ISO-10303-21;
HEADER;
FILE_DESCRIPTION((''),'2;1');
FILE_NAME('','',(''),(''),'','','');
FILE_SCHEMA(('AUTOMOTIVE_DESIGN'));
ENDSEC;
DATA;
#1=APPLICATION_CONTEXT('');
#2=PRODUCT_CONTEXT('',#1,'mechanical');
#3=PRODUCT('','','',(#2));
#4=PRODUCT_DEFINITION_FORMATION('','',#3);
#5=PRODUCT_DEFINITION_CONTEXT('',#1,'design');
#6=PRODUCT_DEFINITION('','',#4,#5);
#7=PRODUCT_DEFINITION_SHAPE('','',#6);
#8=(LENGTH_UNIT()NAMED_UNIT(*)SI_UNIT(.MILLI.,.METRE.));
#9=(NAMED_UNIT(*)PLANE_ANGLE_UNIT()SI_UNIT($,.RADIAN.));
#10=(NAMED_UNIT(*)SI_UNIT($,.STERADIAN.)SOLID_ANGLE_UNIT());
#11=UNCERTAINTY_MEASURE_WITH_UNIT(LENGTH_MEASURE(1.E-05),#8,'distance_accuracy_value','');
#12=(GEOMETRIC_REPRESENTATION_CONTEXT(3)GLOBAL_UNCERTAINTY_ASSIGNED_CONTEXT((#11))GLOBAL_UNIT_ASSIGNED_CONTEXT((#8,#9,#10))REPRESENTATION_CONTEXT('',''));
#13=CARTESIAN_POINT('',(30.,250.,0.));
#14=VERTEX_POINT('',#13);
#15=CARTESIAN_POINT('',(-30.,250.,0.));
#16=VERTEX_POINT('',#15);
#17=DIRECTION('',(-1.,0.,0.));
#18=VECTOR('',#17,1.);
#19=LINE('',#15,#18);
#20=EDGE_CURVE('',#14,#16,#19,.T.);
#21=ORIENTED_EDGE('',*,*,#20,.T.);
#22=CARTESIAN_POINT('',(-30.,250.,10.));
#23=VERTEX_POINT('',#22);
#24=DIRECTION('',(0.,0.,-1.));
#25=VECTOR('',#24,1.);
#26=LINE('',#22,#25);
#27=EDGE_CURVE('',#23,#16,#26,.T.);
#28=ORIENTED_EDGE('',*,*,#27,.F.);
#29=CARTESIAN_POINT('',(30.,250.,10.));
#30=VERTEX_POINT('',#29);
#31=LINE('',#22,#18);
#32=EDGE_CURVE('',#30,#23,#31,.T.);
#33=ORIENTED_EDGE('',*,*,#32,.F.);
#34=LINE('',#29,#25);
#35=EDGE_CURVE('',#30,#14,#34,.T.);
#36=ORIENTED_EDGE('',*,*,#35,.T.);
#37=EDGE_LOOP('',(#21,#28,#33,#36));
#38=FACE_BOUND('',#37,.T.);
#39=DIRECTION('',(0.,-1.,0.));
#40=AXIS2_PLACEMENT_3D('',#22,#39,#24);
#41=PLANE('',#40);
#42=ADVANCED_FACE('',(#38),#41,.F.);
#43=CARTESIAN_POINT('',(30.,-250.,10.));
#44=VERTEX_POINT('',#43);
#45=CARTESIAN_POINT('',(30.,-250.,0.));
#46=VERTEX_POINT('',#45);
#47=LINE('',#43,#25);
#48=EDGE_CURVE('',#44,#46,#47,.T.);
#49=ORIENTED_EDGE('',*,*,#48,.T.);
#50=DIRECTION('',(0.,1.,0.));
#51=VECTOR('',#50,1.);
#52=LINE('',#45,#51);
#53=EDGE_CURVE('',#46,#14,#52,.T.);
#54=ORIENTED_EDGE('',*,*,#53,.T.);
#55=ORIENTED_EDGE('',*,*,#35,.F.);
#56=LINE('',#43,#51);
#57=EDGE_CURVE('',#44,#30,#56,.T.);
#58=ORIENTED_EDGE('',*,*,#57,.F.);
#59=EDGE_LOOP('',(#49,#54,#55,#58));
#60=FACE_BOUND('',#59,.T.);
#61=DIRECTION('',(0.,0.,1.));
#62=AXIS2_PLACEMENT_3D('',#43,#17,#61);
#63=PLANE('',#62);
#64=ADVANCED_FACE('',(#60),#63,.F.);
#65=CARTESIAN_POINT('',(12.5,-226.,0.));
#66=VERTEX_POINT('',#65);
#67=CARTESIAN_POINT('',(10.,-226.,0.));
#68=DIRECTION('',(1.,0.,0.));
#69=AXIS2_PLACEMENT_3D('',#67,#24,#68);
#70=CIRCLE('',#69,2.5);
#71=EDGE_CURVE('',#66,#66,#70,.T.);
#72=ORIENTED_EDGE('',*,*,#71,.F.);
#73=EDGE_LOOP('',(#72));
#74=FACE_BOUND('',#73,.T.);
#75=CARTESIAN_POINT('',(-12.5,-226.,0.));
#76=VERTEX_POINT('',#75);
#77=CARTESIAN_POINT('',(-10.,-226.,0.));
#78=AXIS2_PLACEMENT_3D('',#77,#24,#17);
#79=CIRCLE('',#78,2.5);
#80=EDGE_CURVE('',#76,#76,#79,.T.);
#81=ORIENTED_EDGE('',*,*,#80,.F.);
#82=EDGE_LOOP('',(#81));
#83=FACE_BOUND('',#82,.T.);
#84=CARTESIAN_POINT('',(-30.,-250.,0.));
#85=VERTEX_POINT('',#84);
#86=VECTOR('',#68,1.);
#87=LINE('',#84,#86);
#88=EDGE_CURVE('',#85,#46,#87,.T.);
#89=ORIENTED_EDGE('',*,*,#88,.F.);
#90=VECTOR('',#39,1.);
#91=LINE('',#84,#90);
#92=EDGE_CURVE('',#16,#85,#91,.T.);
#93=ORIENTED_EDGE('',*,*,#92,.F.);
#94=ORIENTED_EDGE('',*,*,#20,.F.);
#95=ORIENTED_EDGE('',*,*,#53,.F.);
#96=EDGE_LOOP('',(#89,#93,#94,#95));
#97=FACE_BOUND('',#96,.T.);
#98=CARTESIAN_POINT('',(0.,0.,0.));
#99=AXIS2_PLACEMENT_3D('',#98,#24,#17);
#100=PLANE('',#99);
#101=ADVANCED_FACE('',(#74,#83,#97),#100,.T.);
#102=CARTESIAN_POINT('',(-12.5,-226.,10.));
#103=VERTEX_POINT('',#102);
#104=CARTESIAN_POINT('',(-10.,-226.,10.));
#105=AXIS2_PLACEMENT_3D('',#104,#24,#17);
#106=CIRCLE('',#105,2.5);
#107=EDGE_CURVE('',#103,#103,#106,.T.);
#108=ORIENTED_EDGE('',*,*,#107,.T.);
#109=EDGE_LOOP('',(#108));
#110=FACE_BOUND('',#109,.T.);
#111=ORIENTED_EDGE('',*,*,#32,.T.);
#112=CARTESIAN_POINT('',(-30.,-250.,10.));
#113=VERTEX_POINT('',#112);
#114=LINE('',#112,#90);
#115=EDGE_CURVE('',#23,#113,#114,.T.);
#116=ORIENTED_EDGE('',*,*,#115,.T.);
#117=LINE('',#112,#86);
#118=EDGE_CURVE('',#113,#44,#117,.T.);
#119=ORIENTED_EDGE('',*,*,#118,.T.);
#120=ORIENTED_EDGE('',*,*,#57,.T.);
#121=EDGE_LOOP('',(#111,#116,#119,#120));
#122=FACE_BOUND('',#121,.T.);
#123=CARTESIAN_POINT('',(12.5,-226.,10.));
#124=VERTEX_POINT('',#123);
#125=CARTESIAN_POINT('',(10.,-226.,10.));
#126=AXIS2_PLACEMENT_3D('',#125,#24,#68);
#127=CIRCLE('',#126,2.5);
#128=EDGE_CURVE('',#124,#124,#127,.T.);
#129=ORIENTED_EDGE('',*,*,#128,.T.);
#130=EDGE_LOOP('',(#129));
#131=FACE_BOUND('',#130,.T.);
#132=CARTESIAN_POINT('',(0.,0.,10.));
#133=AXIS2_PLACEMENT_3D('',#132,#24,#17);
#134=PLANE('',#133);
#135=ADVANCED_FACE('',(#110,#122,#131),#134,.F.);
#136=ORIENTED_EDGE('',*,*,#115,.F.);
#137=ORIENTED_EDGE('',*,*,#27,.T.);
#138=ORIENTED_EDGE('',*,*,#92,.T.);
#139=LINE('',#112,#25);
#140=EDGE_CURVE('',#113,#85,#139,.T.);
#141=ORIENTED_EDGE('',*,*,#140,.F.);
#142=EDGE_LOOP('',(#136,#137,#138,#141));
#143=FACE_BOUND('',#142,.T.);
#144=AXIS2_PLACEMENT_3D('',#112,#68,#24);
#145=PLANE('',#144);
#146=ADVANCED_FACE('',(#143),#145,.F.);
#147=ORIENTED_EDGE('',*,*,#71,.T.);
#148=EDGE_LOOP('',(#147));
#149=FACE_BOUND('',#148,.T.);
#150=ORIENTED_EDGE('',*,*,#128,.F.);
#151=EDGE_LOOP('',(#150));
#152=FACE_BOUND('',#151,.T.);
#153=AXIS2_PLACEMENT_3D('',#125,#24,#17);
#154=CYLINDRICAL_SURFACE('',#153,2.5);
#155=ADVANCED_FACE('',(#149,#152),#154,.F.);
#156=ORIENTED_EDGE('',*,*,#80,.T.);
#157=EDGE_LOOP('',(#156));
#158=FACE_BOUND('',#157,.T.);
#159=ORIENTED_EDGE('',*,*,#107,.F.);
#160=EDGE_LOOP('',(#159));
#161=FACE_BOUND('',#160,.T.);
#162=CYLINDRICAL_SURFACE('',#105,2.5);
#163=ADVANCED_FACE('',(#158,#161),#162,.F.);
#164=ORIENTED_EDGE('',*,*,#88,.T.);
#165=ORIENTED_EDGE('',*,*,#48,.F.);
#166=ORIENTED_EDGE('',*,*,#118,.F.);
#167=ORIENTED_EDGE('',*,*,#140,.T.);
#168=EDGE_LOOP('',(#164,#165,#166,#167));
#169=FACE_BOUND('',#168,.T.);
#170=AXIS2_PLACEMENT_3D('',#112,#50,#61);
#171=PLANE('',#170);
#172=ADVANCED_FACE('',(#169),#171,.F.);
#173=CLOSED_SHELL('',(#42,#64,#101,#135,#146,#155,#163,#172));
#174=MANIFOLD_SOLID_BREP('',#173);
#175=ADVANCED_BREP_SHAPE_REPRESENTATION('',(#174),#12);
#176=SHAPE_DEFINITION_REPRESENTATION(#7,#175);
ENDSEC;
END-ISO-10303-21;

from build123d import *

# Parameters (mm, degrees)
SKETCH1_W           = 60
SKETCH1_H           = 500
BOSS_EXTRUDE1_DEPTH = 10
SKETCH2_R           = 2.5
CUT_EXTRUDE1_DEPTH  = 252.992063367


with BuildPart() as part:
    # Sketch1 → Boss-Extrude1 (new body)
    with BuildSketch(Plane.XY):
        Rectangle(SKETCH1_W, SKETCH1_H)
    extrude(amount=BOSS_EXTRUDE1_DEPTH)

    # Sketch2 → Cut-Extrude1 (cut, through all)
    with BuildSketch(Plane(origin=(0, 0, 0), x_dir=(-1, 0, 0), z_dir=(0, 0, -1))):
        with Locations((10, -226)):
            Circle(SKETCH2_R)
        with Locations(Location((-10, -226, 0), (0, 0, 180))):
            Circle(SKETCH2_R)
    extrude(amount=-CUT_EXTRUDE1_DEPTH, mode=Mode.SUBTRACT)


solid = part.part
